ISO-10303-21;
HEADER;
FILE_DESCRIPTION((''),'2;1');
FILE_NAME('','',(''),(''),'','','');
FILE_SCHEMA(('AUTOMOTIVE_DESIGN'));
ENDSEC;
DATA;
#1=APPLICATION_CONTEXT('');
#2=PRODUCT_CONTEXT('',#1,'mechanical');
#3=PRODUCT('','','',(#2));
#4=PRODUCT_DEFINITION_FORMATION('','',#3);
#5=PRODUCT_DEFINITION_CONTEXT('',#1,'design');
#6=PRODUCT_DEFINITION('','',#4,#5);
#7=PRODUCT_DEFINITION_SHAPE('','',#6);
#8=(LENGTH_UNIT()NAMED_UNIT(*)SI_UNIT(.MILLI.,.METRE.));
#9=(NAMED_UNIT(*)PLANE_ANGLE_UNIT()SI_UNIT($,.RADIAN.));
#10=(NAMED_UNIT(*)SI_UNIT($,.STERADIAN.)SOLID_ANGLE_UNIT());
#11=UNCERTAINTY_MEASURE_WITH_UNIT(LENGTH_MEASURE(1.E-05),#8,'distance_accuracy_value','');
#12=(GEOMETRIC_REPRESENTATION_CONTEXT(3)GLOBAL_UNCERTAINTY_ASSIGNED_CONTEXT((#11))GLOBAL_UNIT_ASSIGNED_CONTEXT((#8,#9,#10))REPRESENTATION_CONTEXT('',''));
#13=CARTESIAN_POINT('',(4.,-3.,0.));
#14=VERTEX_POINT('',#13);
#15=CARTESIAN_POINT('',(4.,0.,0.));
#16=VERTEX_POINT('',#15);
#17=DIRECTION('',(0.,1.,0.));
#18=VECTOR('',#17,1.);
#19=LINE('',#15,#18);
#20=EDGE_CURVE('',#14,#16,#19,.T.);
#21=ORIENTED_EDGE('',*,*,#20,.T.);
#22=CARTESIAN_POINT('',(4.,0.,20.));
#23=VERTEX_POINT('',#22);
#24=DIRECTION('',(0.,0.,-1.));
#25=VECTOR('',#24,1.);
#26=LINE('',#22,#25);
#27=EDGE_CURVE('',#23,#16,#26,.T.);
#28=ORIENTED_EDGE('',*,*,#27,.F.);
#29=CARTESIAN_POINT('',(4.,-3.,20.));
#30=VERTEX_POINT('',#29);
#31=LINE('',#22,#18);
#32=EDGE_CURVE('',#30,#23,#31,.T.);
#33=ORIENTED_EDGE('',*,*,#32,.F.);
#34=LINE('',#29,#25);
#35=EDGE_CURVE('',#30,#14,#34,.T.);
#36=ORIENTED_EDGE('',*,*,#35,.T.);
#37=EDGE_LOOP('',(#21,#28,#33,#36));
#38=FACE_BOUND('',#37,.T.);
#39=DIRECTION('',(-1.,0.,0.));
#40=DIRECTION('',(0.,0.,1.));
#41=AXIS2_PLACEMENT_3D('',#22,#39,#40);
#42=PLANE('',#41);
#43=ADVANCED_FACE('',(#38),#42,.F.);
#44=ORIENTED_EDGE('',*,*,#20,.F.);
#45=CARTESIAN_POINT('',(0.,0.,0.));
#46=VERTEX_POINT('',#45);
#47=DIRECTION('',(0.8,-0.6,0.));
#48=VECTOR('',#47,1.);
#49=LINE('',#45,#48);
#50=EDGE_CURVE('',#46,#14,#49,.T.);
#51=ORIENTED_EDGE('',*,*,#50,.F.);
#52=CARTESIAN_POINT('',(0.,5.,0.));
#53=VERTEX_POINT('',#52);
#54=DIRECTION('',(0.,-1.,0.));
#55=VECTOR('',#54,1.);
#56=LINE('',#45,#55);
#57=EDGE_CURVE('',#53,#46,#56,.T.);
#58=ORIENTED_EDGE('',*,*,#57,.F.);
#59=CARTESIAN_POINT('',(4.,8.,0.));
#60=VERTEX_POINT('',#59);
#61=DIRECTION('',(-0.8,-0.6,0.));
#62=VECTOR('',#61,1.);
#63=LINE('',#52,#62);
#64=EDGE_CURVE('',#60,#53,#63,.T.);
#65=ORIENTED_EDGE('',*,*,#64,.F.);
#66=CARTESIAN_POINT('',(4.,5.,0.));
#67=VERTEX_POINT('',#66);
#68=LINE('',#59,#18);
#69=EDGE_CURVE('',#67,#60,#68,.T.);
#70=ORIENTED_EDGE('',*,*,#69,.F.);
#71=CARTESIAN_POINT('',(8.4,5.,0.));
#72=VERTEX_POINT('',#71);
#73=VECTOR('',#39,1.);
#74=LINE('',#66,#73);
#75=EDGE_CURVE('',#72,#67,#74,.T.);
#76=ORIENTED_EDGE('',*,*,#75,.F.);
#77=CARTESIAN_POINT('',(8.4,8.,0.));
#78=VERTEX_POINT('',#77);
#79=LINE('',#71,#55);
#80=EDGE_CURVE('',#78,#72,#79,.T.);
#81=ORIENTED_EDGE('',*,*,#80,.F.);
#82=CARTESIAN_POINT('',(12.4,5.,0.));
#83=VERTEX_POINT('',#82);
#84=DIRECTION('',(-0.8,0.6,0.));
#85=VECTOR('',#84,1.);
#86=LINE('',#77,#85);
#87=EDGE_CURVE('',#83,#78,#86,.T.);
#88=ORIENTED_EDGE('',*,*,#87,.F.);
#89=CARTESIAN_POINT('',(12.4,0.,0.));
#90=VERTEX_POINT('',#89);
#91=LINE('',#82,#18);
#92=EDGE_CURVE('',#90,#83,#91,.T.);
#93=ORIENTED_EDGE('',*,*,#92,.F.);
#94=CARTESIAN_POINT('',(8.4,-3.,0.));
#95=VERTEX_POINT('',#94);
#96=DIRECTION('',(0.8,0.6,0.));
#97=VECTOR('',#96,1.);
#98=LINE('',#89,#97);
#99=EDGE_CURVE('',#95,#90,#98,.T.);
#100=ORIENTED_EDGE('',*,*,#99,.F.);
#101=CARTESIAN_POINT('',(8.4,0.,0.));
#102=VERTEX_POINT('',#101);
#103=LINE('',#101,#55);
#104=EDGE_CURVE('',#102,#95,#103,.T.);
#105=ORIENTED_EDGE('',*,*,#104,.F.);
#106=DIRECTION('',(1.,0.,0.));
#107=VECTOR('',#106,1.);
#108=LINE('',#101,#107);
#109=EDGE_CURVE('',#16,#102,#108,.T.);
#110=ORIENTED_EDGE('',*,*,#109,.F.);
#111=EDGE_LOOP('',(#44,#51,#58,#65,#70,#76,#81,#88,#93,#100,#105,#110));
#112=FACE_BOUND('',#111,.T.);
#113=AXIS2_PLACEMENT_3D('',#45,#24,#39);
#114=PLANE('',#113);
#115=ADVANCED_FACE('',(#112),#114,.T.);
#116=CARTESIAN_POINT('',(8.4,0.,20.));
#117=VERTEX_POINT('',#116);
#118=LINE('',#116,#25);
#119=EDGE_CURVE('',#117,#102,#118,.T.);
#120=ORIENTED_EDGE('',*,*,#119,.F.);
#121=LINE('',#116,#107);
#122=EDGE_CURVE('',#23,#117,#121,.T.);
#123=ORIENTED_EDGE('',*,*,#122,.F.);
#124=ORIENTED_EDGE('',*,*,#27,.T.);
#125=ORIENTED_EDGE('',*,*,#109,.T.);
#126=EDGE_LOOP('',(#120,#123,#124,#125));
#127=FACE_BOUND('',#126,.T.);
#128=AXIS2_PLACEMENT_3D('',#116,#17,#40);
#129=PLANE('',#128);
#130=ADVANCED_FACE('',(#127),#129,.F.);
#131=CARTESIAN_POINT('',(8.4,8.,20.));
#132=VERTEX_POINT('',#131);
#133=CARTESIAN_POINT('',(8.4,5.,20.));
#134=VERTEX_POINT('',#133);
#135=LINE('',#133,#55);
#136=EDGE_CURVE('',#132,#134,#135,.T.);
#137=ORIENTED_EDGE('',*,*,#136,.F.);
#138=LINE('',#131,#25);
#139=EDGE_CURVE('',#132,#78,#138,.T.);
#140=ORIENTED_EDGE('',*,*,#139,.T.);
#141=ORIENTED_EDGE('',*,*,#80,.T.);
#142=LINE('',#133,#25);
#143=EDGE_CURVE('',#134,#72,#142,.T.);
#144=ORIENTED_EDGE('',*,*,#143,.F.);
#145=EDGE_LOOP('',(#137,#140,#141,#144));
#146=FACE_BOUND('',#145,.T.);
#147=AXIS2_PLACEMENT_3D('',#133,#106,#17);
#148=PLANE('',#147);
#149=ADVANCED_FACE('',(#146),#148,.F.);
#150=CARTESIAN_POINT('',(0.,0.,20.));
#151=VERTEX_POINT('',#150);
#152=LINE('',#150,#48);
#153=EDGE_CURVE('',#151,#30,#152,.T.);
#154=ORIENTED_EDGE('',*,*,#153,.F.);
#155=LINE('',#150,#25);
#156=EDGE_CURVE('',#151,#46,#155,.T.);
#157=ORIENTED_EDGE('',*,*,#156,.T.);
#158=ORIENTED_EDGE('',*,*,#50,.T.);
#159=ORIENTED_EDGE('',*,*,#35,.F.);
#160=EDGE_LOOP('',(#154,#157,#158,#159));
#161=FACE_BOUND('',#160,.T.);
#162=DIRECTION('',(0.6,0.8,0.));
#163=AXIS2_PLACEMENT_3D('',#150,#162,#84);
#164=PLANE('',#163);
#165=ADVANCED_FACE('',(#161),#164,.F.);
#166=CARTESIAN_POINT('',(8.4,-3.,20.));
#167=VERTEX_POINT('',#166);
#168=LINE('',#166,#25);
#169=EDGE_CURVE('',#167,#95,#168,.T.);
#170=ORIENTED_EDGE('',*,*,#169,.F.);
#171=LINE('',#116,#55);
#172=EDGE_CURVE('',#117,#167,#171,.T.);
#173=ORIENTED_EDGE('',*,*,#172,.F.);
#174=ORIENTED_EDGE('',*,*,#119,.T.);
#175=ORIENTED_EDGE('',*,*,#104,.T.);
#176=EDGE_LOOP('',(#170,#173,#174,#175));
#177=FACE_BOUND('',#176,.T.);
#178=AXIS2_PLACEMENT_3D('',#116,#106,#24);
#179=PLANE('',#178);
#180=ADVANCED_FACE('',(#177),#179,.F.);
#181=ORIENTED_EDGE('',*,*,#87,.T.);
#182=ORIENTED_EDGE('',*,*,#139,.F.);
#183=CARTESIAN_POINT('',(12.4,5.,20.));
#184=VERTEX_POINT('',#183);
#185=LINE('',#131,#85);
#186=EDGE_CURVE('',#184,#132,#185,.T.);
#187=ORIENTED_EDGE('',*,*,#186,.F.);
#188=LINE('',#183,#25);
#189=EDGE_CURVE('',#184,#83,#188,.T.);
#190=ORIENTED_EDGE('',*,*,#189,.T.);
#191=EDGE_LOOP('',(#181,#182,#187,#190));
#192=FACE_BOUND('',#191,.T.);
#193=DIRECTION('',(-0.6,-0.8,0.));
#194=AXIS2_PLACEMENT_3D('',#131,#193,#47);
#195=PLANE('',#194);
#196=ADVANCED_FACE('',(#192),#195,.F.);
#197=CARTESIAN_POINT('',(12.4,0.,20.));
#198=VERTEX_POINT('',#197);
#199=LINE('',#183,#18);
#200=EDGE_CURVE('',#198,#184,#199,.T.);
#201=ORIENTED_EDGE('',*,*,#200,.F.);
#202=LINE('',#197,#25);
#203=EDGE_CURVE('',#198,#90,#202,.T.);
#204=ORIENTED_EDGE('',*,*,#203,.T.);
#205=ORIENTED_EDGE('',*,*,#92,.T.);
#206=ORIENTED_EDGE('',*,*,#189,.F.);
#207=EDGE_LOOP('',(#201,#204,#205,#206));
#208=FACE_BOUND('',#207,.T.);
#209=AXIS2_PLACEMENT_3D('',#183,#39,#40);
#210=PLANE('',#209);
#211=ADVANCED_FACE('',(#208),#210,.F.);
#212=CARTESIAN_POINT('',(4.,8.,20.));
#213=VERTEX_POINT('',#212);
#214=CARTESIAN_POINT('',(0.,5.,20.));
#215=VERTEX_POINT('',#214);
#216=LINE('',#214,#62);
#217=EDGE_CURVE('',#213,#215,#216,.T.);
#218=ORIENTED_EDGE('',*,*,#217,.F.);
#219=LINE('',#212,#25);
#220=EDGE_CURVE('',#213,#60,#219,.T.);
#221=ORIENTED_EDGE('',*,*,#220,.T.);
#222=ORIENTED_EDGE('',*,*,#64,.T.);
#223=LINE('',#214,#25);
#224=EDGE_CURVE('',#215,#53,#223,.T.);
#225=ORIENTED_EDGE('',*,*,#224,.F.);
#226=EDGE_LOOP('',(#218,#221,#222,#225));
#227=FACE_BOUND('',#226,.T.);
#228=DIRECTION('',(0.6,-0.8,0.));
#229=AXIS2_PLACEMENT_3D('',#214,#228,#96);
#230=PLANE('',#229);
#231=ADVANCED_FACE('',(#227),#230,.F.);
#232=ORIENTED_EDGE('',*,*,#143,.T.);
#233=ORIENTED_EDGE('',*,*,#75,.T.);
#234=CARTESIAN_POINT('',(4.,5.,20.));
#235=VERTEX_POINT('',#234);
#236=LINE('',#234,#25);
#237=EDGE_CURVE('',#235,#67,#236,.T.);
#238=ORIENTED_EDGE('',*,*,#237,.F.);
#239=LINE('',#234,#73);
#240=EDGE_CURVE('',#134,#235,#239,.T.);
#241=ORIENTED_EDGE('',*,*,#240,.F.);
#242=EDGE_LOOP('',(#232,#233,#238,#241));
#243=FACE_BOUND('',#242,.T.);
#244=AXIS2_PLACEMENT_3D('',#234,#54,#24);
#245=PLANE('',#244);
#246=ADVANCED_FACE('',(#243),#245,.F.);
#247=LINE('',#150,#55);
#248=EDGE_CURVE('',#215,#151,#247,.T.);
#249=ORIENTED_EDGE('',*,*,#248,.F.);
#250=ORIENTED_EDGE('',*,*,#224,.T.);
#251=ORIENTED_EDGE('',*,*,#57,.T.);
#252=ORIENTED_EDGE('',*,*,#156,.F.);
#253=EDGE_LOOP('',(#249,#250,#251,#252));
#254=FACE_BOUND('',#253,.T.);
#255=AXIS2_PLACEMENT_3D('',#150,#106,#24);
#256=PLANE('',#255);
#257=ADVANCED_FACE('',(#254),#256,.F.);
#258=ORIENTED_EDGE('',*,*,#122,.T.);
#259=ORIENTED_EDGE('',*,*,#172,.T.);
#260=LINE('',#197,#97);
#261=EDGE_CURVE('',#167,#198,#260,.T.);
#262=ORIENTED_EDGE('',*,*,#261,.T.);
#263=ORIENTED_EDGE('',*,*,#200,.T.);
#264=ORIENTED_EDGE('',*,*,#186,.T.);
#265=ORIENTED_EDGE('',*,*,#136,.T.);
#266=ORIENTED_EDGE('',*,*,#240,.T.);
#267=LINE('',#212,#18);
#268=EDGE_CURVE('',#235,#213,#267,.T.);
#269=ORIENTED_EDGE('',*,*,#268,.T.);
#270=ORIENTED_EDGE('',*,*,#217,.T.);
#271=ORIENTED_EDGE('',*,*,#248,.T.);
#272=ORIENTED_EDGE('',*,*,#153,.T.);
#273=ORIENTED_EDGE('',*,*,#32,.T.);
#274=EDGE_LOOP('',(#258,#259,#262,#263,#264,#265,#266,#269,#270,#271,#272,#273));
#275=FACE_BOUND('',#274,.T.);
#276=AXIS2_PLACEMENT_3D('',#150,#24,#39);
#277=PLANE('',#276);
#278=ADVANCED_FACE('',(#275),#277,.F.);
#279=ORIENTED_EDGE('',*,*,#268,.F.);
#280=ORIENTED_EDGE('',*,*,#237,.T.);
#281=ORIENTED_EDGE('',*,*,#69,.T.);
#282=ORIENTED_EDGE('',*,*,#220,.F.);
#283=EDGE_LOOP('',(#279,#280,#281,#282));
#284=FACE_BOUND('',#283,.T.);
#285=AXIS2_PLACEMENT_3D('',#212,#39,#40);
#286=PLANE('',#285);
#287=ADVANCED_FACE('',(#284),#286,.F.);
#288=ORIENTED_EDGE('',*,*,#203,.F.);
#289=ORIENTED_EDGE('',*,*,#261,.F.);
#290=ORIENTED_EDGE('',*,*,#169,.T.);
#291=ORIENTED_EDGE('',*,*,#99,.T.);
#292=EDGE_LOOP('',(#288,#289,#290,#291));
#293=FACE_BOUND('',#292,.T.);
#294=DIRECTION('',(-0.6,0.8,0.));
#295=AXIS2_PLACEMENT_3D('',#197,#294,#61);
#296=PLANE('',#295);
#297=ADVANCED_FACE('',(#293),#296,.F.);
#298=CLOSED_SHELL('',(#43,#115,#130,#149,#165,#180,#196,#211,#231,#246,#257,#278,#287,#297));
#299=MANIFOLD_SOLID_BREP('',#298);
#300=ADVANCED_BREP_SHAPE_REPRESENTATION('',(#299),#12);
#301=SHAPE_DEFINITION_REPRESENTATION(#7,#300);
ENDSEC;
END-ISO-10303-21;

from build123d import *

# Parameters (mm, degrees)
BOSS_EXTRU_1_DEPTH = 20


with BuildPart() as part:
    # ProfileRainureEsquisse → Boss.-Extru.1 (new body)
    with BuildSketch(Plane.XY):
        Polygon((0, 0), (0, 5), (4, 8), (4, 5), (8.4, 5), (8.4, 8), (12.4, 5), (12.4, 0), (8.4, -3), (8.4, 0), (4, 0), (4, -3), align=None)
    extrude(amount=BOSS_EXTRU_1_DEPTH)


solid = part.part
